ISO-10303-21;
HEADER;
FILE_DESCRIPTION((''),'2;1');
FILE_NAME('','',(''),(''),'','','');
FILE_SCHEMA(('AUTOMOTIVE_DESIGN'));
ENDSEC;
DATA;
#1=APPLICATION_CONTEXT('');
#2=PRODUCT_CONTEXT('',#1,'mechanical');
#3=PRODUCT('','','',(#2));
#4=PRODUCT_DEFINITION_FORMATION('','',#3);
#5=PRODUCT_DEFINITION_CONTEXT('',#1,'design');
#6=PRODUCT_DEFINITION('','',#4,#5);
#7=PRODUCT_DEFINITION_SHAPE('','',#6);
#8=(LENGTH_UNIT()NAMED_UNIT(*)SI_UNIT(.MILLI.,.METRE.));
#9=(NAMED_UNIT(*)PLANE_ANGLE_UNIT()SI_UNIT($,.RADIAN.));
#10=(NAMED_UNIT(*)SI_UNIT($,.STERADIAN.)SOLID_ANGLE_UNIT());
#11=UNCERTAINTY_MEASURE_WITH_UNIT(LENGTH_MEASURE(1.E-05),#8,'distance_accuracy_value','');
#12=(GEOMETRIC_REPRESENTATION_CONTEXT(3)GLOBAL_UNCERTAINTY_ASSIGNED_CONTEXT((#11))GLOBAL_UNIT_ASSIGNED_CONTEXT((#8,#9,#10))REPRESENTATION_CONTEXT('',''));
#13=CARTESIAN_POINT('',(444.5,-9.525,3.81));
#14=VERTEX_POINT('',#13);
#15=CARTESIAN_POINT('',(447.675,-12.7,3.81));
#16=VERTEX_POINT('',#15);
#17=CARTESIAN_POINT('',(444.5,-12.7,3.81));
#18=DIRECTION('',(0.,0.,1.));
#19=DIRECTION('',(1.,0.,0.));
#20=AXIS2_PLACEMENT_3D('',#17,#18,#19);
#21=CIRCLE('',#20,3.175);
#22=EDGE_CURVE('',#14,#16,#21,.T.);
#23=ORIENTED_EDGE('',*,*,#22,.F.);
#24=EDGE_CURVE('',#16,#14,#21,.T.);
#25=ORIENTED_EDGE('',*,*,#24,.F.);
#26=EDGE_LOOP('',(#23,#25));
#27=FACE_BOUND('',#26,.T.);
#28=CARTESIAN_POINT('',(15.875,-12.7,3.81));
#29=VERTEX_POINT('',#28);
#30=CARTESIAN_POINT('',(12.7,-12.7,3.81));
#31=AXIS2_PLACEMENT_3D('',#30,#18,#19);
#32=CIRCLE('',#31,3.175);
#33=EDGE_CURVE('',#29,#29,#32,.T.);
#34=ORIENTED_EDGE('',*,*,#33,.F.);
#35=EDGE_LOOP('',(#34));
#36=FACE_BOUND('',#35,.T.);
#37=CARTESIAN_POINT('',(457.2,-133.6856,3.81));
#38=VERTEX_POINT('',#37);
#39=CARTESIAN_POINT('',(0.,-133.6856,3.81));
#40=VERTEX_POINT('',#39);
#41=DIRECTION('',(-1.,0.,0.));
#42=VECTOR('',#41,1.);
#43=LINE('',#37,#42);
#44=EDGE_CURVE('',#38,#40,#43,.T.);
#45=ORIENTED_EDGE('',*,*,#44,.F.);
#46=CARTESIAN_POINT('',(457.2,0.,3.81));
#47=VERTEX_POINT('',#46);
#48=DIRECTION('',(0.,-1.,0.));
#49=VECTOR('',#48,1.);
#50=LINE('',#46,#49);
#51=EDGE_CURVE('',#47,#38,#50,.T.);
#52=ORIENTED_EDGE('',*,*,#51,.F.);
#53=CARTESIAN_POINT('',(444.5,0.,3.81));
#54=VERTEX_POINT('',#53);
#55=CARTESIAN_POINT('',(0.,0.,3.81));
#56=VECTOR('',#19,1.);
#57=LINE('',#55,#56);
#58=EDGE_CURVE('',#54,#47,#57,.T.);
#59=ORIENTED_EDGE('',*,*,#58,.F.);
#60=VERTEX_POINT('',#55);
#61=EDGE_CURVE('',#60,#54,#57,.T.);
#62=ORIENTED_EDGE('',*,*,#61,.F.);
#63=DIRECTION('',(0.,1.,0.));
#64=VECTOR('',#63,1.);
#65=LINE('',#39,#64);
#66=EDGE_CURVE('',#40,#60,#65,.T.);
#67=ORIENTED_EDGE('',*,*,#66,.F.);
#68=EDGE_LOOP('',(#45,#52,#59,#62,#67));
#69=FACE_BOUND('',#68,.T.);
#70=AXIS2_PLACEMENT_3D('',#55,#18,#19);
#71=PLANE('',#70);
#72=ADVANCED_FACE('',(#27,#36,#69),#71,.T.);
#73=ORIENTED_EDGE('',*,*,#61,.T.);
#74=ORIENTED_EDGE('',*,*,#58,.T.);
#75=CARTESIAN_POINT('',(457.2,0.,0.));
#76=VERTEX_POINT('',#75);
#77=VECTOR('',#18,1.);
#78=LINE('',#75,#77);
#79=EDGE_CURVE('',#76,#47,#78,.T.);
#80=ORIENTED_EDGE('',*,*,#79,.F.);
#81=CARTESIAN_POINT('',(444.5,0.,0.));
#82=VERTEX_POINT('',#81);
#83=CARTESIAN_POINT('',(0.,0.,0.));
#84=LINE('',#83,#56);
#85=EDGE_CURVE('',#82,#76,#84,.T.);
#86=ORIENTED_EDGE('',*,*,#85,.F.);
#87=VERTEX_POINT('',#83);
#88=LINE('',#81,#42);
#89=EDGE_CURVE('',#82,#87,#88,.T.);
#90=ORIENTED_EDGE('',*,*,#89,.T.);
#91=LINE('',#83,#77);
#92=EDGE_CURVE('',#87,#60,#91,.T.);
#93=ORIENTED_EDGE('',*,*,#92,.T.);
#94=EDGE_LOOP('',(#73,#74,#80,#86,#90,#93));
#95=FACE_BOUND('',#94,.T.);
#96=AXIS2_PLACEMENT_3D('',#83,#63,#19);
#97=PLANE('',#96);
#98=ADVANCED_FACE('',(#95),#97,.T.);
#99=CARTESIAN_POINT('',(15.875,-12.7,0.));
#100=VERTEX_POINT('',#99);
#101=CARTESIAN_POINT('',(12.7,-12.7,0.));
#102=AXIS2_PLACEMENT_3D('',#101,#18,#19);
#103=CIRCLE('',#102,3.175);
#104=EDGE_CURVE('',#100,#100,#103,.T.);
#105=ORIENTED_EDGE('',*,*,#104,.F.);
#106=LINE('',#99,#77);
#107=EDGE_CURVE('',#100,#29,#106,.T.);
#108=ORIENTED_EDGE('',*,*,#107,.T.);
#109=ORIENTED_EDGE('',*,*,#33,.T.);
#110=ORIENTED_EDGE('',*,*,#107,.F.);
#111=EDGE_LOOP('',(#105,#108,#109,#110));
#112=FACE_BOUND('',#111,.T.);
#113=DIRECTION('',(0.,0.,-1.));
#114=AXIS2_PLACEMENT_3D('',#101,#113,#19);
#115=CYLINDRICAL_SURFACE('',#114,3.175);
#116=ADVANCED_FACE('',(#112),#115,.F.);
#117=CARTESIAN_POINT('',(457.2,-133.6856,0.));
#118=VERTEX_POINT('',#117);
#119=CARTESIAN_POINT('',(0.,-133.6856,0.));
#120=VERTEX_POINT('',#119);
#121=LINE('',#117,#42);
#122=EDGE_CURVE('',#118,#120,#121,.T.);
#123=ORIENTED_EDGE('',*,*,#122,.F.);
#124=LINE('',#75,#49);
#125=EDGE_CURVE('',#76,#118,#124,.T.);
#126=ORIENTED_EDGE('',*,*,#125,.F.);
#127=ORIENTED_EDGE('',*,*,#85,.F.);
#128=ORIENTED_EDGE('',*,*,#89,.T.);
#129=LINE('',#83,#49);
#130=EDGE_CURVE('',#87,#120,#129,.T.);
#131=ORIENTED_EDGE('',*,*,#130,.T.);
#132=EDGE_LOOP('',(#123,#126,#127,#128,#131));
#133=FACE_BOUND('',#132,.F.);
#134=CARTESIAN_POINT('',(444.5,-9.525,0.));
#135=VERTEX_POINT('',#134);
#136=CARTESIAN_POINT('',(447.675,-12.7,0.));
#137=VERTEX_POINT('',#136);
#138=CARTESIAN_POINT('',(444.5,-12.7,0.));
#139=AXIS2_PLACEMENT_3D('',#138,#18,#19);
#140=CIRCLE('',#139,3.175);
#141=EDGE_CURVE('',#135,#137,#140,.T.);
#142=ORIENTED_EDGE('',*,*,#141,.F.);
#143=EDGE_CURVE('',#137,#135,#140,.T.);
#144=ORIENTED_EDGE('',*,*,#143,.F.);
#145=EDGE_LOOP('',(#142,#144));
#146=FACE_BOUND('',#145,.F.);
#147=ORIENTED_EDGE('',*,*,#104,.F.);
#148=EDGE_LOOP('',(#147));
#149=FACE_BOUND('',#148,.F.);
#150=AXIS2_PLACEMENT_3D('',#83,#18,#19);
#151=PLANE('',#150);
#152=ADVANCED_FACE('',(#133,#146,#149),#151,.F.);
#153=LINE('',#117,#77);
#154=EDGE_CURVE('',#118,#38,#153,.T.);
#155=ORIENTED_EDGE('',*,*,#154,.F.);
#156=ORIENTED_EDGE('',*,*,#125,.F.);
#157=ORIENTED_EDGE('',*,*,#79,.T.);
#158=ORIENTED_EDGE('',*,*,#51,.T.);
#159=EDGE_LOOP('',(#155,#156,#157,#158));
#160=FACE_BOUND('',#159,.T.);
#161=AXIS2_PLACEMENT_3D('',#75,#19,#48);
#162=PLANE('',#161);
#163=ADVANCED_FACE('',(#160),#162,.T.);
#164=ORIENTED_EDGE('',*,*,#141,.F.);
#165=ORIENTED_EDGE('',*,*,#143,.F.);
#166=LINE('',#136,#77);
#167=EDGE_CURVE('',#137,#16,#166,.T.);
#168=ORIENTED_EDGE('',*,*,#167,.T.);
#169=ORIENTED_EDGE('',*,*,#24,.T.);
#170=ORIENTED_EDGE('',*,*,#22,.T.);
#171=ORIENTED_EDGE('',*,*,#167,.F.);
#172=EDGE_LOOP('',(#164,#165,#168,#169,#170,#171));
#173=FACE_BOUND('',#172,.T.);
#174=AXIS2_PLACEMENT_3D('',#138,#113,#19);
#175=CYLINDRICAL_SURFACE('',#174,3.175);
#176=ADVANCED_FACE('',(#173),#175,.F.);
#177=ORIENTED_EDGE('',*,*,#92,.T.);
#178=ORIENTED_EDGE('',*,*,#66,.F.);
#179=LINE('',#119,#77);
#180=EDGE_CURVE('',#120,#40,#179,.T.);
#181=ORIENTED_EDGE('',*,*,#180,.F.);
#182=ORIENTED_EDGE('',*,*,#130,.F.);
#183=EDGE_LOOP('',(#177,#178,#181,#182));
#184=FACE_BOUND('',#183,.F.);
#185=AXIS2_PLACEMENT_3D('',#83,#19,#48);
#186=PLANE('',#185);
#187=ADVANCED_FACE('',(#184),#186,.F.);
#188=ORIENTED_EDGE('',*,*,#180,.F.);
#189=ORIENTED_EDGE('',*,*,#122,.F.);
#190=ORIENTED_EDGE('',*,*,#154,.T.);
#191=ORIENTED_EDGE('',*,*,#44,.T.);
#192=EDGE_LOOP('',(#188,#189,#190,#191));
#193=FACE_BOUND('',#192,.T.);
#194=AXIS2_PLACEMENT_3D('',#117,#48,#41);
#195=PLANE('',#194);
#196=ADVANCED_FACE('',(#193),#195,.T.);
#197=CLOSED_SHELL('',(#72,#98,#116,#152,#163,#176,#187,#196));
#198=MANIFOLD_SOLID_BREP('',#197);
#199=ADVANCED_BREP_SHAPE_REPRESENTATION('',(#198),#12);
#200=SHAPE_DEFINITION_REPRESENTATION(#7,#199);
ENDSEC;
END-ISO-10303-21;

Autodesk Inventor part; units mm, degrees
ref_plane "YZ Plane" through (0, 0, 0) normal (1, 0, 0) x (0, 1, 0)
ref_plane "XZ Plane" through (0, 0, 0) normal (0, 1, 0) x (-1, 0, 0)
ref_plane "Work Plane1" through (0, 0, 0) normal (0, 0, 1) x (1, 0, 0)
sketch "Sketch1" plane through (0, 0, 0) normal (0, 0, 1) x (1, 0, 0)
  circle A0 centre (12.7, -12.7) radius 3.175 projected
  line L0 (0, 0) -> (0, -25.4895) projected
  line L1 (25.4, -25.4895) -> (0, -25.4895) projected
  line L2 (25.4, 0) -> (25.4, -25.4895) projected
  line L3 (0, 0) -> (25.4, 0) projected
  line L4 (0, 0) -> (457.2, 0)
  line L5 (457.2, 0) -> (457.2, -133.6856)
  line L6 (457.2, -133.6856) -> (0, -133.6856)
  line L7 (0, -133.6856) -> (0, 0)
  line L8 (457.2, 0) -> (444.5, 0)
  line L9 (444.5, 0) -> (444.5, -12.7)
  circle A1 centre (444.5, -12.7) radius 3.175
  dimension "d0" = 457.2
  dimension "d1" = 12.7
  dimension "d2" = 12.7
  dimension "d3" = 6.35
ref_plane "Work Plane2" through (0, -25.4254, 3.81) normal (0, 0, -1) x (0, 1, 0)
extrude "Extrusion1" add sketch "Sketch1" along normal up to surface (3.81 mm away)
properties part number "Front.ipt plate"
